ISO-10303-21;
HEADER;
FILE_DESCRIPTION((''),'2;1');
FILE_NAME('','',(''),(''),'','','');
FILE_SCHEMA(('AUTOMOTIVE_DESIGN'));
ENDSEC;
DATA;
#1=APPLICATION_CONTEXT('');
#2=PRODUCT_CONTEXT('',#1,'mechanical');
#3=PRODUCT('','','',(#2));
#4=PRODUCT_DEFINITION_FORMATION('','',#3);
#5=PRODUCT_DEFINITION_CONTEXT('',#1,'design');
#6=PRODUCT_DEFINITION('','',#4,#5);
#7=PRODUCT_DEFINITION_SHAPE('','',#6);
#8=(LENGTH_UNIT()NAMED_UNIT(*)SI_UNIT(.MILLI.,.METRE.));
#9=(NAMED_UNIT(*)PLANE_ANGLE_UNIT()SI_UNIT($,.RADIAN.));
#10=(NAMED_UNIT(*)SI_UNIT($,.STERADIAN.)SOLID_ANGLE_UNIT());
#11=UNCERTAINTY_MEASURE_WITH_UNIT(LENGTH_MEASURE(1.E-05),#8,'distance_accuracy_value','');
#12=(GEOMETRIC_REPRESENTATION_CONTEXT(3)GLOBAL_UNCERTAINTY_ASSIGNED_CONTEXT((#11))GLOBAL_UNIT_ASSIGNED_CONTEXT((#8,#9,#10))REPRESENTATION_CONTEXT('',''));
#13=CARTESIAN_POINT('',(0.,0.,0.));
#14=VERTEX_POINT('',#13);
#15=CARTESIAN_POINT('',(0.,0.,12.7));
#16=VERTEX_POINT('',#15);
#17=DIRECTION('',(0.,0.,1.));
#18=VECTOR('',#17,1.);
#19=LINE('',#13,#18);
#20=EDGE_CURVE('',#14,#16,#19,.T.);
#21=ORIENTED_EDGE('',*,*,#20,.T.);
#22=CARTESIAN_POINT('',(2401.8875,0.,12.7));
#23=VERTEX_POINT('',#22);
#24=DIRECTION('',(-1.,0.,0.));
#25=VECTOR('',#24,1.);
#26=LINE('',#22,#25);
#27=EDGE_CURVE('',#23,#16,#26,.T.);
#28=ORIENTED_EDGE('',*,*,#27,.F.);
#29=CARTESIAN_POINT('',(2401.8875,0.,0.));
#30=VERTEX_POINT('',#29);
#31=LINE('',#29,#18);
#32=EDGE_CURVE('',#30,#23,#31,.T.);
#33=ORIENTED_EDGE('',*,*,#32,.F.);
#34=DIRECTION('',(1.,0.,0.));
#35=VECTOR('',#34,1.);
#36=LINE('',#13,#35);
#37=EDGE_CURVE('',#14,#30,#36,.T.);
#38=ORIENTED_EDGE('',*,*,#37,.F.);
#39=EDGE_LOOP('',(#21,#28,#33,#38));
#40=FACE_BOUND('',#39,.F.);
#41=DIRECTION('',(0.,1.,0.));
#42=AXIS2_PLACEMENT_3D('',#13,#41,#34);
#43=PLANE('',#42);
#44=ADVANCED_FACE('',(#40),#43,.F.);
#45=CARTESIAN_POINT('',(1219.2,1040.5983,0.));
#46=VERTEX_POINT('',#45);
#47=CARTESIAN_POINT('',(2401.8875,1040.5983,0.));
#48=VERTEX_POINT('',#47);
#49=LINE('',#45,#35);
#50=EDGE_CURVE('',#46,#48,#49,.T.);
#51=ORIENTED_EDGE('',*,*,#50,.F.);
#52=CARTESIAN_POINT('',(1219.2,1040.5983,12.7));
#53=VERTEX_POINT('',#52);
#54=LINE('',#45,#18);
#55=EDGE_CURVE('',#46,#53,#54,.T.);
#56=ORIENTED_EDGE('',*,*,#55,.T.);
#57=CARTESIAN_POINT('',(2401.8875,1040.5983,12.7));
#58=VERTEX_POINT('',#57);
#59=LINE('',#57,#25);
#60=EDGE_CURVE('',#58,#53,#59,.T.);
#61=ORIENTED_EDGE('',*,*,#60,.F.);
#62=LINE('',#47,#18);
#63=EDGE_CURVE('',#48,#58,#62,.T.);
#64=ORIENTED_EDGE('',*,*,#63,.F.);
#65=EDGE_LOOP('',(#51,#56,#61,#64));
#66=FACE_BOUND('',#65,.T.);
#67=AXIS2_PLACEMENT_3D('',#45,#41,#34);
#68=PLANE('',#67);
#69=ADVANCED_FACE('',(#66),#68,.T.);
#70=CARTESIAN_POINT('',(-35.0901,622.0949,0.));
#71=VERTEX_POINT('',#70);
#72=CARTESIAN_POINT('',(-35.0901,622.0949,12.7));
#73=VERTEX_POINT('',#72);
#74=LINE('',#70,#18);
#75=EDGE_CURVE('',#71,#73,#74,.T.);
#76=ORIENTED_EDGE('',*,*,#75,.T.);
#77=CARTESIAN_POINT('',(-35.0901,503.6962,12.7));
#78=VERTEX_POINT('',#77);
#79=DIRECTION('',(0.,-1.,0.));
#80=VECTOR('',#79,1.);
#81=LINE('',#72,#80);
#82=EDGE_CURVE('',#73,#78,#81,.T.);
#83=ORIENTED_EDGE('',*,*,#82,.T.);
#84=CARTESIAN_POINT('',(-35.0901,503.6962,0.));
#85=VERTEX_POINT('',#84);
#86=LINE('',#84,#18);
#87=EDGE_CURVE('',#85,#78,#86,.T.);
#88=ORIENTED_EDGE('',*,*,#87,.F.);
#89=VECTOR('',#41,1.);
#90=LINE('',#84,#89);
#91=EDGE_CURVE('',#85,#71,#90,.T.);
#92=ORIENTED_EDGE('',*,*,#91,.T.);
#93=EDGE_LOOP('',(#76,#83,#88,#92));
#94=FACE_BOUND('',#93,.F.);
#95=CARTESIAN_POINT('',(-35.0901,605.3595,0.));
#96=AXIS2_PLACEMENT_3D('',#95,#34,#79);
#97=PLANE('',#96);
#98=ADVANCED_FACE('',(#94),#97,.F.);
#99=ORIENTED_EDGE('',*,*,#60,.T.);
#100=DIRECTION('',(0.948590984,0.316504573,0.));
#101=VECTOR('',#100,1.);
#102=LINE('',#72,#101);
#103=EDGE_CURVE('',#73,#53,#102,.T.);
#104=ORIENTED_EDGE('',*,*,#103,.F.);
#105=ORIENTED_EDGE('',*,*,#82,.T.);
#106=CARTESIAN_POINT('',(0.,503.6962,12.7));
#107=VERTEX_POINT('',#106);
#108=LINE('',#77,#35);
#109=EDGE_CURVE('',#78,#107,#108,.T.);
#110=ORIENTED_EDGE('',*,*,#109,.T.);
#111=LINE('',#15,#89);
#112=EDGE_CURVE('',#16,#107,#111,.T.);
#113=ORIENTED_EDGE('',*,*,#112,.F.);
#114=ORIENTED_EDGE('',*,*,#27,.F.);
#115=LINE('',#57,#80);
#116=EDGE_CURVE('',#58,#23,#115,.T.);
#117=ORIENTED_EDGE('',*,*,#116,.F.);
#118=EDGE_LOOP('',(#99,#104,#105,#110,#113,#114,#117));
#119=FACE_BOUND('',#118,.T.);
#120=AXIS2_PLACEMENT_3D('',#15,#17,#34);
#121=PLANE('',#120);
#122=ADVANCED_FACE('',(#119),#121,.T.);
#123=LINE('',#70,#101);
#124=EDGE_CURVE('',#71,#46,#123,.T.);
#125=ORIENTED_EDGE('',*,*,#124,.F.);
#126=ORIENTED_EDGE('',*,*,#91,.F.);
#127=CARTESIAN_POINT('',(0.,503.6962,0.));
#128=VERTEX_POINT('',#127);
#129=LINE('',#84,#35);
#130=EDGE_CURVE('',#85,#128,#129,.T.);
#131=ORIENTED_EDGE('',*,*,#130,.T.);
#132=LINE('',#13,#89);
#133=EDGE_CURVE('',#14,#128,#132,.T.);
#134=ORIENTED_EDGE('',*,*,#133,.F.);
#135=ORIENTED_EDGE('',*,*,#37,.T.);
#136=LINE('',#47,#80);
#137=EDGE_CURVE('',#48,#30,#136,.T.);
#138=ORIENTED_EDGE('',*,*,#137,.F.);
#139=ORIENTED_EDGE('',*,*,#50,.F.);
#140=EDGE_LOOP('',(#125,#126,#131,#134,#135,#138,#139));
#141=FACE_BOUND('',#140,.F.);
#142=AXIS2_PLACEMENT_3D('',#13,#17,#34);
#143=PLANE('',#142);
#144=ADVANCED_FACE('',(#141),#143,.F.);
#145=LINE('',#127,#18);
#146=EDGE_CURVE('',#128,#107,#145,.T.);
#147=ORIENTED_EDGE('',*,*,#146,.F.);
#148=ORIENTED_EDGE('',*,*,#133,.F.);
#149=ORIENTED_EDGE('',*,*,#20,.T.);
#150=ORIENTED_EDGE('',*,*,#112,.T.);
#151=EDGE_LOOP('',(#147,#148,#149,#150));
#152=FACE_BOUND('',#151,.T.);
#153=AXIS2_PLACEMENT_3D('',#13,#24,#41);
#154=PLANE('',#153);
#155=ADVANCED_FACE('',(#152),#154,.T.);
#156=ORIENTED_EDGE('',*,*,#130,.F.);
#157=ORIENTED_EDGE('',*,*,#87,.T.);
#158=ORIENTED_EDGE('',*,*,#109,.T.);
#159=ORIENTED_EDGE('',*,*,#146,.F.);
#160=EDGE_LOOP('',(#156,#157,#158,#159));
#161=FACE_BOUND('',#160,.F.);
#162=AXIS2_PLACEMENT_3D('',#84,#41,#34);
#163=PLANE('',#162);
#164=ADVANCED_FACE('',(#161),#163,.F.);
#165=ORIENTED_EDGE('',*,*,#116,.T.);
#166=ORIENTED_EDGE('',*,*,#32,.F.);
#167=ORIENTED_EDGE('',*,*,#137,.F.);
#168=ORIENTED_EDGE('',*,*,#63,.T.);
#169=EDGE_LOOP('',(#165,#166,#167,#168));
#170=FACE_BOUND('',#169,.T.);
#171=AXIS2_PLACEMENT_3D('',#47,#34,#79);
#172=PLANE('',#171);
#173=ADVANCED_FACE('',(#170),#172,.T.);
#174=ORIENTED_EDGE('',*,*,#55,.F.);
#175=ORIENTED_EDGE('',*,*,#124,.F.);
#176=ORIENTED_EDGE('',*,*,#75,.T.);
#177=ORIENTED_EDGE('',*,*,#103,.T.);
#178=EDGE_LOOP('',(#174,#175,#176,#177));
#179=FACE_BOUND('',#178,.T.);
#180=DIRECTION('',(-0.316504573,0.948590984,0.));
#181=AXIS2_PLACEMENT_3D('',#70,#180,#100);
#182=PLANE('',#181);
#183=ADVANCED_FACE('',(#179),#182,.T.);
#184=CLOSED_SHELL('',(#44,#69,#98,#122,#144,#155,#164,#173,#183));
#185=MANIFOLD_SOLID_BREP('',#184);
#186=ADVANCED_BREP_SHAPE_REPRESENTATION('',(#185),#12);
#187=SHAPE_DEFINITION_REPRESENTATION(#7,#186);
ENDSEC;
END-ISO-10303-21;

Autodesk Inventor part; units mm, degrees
ref_plane "YZ Plane" through (0, 0, 0) normal (1, 0, 0) x (0, 1, 0)
ref_plane "XZ Plane" through (0, 0, 0) normal (0, 1, 0) x (-1, 0, 0)
ref_plane "XY Plane" through (0, 0, 0) normal (0, 0, 1) x (1, 0, 0)
sketch "Sketch1" plane through (0, 0, 0) normal (0, 0, 1) x (1, 0, 0)
  line L0 (0, 0) -> (0, 617.0676)
  line L1 (0, 0) -> (1219.2, 0)
  line L2 (0, 617.0676) -> (3365.5, 1739.9922)
  line L3 (12.7, 621.3051) -> (12.7, 0)
  line L4 (3365.5, 1739.9922) -> (3365.5, 1592.7212)
  line L5 (3365.5, 1592.7212) -> (101.6, 503.6962)
  line L6 (101.6, 503.6962) -> (12.7, 503.6962)
  line L7 (1219.2, 0) -> (1219.2, 1023.8629)
  line L8 (0, 617.0676) -> (-35.0901, 605.3595)
  line L9 (-35.0901, 605.3595) -> (-35.0901, 503.6962)
  line L10 (-35.0901, 503.6962) -> (0, 503.6962)
  line L11 (-35.0901, 622.0949) -> (1219.2, 1040.5983)
  line L12 (1219.2, 1040.5983) -> (1219.2, 1023.8629)
  line L13 (1219.2, 1040.5983) -> (2401.8875, 1040.5983)
  line L14 (2401.8875, 1040.5983) -> (2401.8875, 0)
  line L15 (2401.8875, 0) -> (1219.2, 0)
  line L16 (-35.0901, 605.3595) -> (-35.0901, 622.0949)
  point P0 (1219.2, 876.5919)
  point P1 (1710.7411, 1040.5983)
  point P2 (1269.3573, 1040.5983)
  dimension "d1" = 617.0676
  dimension "d3" = 12.7
  dimension "d4" = 3352.8
  dimension "d6" = 139.7
  dimension "d8" = 88.9
  dimension "d9" = 1089.025
  dimension "d12" = 47.7901
  dimension "d14" = 15.875
  dimension "d16" = 1219.2
  dimension "d18" = 2436.9776
extrude "Extrusion1" add sketch "Sketch1" along normal blind 12.7 contours L0 L2 L3 L1 | L10 L9 L8 L0 | L3 L6 L5 L7 L1 | L8 L16 L11 L12 L2 | L7 L5 L13 L14 L15 | L3 L2 L7 L5 L6 | L7 L2 L13 L5 | L12 L13 L2
properties part number "OSB_For_Side_And_Back" material "Wood (Birch)"
